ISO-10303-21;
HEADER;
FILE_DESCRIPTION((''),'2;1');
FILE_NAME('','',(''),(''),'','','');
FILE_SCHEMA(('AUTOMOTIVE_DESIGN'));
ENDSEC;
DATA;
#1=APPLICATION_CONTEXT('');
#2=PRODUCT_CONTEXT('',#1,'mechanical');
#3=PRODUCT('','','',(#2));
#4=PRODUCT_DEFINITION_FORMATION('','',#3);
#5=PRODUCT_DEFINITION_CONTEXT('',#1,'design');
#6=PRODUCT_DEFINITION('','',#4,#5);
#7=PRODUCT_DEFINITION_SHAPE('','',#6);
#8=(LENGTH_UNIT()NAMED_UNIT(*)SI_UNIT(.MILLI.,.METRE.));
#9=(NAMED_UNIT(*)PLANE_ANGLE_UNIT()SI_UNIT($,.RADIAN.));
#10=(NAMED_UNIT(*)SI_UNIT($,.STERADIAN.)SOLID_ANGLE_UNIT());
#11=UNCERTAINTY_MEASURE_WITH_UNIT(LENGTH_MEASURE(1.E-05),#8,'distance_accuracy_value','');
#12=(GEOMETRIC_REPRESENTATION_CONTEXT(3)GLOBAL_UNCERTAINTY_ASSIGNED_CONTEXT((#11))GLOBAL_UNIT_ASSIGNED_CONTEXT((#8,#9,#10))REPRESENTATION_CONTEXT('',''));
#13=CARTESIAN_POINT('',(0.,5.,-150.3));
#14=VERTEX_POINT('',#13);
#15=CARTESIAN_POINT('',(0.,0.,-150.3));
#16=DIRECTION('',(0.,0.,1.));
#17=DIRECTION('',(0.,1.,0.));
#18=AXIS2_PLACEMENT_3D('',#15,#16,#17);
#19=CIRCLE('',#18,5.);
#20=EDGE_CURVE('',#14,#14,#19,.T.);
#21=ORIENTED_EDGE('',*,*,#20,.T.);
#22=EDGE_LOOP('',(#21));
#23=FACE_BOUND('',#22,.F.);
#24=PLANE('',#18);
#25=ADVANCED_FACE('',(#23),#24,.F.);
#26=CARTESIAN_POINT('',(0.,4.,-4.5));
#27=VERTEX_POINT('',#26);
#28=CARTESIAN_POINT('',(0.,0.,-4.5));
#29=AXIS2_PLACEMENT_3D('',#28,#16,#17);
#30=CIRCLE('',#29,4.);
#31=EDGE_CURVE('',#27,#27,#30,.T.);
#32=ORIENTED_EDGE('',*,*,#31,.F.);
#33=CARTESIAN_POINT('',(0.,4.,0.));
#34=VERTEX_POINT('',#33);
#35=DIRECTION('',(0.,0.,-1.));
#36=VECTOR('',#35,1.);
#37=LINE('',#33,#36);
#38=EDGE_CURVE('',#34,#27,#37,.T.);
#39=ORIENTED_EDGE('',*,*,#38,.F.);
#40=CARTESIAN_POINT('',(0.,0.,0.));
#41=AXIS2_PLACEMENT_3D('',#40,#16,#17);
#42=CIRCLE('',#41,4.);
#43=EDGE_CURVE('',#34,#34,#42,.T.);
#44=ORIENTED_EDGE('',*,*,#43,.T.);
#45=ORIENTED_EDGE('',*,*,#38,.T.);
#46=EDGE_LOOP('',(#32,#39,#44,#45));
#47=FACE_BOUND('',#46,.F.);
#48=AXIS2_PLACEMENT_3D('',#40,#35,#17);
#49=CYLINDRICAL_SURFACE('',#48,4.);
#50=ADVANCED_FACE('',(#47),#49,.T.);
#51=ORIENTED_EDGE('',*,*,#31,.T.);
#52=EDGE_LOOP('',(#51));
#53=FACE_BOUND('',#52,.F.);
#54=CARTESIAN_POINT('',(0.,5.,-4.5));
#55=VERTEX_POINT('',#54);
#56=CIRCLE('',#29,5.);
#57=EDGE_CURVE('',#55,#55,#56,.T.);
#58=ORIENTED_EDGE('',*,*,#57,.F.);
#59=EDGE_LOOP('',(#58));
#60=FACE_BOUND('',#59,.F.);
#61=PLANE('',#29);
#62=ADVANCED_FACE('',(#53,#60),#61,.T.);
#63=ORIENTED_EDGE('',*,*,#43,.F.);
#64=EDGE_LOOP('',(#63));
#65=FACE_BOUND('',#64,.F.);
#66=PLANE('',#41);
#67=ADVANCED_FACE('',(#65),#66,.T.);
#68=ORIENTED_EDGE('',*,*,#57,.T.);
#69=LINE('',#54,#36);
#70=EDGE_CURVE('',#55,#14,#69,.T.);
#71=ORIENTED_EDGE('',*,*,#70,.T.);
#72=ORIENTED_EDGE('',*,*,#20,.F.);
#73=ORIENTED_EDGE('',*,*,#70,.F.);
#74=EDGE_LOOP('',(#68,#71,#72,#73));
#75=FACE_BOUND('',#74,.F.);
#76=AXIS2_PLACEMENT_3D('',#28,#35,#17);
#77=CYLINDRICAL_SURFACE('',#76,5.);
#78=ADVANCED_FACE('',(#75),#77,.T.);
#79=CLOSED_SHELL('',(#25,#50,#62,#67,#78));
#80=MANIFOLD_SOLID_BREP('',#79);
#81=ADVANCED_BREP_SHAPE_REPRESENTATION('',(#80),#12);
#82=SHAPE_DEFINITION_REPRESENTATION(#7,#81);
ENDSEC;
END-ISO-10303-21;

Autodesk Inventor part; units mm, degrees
ref_plane "YZ Plane" through (0, 0, 0) normal (1, 0, 0) x (0, 1, 0)
ref_plane "XZ Plane" through (0, 0, 0) normal (0, 1, 0) x (-1, 0, 0)
ref_plane "XY Plane" through (0, 0, 0) normal (0, 0, 1) x (1, 0, 0)
sketch "Sketch1" plane through (0, 0, 0) normal (1, 0, 0) x (0, 1, 0)
  line L0 (0, 0) -> (4, 0)
  line L1 (4, 0) -> (4, -4.5)
  line L2 (4, -4.5) -> (5, -4.5)
  line L3 (5, -4.5) -> (5, -150.3)
  line L4 (5, -150.3) -> (0, -150.3)
  line L5 (0, -150.3) -> (0, 0)
  dimension "d0" = 5
  dimension "d1" = 4
  dimension "d2" = 4.5
  dimension "d3" = 150.3
revolve "Revolution1" add sketch "Sketch1" angle 360 about axis through (0, 0, -150.3) along (0, 0, 1)
sketch "Sketch2" plane through (0, 0, -150.3) normal (0, 0, -1) x (-1, 0, 0)
  line L0 (0, 4) -> (3.4641, 2)
  line L1 (3.4641, 2) -> (3.4641, -2)
  line L2 (3.4641, -2) -> (0, -4)
  line L3 (0, -4) -> (-3.4641, -2)
  line L4 (-3.4641, -2) -> (-3.4641, 2)
  line L5 (-3.4641, 2) -> (0, 4)
  point P0 (0, 0)
  point P1 (0, 0)
  dimension "d5" = 8
extrude "Extrusion1" [suppressed]
properties part number "Motor Axle" material "Stainless Steel"
